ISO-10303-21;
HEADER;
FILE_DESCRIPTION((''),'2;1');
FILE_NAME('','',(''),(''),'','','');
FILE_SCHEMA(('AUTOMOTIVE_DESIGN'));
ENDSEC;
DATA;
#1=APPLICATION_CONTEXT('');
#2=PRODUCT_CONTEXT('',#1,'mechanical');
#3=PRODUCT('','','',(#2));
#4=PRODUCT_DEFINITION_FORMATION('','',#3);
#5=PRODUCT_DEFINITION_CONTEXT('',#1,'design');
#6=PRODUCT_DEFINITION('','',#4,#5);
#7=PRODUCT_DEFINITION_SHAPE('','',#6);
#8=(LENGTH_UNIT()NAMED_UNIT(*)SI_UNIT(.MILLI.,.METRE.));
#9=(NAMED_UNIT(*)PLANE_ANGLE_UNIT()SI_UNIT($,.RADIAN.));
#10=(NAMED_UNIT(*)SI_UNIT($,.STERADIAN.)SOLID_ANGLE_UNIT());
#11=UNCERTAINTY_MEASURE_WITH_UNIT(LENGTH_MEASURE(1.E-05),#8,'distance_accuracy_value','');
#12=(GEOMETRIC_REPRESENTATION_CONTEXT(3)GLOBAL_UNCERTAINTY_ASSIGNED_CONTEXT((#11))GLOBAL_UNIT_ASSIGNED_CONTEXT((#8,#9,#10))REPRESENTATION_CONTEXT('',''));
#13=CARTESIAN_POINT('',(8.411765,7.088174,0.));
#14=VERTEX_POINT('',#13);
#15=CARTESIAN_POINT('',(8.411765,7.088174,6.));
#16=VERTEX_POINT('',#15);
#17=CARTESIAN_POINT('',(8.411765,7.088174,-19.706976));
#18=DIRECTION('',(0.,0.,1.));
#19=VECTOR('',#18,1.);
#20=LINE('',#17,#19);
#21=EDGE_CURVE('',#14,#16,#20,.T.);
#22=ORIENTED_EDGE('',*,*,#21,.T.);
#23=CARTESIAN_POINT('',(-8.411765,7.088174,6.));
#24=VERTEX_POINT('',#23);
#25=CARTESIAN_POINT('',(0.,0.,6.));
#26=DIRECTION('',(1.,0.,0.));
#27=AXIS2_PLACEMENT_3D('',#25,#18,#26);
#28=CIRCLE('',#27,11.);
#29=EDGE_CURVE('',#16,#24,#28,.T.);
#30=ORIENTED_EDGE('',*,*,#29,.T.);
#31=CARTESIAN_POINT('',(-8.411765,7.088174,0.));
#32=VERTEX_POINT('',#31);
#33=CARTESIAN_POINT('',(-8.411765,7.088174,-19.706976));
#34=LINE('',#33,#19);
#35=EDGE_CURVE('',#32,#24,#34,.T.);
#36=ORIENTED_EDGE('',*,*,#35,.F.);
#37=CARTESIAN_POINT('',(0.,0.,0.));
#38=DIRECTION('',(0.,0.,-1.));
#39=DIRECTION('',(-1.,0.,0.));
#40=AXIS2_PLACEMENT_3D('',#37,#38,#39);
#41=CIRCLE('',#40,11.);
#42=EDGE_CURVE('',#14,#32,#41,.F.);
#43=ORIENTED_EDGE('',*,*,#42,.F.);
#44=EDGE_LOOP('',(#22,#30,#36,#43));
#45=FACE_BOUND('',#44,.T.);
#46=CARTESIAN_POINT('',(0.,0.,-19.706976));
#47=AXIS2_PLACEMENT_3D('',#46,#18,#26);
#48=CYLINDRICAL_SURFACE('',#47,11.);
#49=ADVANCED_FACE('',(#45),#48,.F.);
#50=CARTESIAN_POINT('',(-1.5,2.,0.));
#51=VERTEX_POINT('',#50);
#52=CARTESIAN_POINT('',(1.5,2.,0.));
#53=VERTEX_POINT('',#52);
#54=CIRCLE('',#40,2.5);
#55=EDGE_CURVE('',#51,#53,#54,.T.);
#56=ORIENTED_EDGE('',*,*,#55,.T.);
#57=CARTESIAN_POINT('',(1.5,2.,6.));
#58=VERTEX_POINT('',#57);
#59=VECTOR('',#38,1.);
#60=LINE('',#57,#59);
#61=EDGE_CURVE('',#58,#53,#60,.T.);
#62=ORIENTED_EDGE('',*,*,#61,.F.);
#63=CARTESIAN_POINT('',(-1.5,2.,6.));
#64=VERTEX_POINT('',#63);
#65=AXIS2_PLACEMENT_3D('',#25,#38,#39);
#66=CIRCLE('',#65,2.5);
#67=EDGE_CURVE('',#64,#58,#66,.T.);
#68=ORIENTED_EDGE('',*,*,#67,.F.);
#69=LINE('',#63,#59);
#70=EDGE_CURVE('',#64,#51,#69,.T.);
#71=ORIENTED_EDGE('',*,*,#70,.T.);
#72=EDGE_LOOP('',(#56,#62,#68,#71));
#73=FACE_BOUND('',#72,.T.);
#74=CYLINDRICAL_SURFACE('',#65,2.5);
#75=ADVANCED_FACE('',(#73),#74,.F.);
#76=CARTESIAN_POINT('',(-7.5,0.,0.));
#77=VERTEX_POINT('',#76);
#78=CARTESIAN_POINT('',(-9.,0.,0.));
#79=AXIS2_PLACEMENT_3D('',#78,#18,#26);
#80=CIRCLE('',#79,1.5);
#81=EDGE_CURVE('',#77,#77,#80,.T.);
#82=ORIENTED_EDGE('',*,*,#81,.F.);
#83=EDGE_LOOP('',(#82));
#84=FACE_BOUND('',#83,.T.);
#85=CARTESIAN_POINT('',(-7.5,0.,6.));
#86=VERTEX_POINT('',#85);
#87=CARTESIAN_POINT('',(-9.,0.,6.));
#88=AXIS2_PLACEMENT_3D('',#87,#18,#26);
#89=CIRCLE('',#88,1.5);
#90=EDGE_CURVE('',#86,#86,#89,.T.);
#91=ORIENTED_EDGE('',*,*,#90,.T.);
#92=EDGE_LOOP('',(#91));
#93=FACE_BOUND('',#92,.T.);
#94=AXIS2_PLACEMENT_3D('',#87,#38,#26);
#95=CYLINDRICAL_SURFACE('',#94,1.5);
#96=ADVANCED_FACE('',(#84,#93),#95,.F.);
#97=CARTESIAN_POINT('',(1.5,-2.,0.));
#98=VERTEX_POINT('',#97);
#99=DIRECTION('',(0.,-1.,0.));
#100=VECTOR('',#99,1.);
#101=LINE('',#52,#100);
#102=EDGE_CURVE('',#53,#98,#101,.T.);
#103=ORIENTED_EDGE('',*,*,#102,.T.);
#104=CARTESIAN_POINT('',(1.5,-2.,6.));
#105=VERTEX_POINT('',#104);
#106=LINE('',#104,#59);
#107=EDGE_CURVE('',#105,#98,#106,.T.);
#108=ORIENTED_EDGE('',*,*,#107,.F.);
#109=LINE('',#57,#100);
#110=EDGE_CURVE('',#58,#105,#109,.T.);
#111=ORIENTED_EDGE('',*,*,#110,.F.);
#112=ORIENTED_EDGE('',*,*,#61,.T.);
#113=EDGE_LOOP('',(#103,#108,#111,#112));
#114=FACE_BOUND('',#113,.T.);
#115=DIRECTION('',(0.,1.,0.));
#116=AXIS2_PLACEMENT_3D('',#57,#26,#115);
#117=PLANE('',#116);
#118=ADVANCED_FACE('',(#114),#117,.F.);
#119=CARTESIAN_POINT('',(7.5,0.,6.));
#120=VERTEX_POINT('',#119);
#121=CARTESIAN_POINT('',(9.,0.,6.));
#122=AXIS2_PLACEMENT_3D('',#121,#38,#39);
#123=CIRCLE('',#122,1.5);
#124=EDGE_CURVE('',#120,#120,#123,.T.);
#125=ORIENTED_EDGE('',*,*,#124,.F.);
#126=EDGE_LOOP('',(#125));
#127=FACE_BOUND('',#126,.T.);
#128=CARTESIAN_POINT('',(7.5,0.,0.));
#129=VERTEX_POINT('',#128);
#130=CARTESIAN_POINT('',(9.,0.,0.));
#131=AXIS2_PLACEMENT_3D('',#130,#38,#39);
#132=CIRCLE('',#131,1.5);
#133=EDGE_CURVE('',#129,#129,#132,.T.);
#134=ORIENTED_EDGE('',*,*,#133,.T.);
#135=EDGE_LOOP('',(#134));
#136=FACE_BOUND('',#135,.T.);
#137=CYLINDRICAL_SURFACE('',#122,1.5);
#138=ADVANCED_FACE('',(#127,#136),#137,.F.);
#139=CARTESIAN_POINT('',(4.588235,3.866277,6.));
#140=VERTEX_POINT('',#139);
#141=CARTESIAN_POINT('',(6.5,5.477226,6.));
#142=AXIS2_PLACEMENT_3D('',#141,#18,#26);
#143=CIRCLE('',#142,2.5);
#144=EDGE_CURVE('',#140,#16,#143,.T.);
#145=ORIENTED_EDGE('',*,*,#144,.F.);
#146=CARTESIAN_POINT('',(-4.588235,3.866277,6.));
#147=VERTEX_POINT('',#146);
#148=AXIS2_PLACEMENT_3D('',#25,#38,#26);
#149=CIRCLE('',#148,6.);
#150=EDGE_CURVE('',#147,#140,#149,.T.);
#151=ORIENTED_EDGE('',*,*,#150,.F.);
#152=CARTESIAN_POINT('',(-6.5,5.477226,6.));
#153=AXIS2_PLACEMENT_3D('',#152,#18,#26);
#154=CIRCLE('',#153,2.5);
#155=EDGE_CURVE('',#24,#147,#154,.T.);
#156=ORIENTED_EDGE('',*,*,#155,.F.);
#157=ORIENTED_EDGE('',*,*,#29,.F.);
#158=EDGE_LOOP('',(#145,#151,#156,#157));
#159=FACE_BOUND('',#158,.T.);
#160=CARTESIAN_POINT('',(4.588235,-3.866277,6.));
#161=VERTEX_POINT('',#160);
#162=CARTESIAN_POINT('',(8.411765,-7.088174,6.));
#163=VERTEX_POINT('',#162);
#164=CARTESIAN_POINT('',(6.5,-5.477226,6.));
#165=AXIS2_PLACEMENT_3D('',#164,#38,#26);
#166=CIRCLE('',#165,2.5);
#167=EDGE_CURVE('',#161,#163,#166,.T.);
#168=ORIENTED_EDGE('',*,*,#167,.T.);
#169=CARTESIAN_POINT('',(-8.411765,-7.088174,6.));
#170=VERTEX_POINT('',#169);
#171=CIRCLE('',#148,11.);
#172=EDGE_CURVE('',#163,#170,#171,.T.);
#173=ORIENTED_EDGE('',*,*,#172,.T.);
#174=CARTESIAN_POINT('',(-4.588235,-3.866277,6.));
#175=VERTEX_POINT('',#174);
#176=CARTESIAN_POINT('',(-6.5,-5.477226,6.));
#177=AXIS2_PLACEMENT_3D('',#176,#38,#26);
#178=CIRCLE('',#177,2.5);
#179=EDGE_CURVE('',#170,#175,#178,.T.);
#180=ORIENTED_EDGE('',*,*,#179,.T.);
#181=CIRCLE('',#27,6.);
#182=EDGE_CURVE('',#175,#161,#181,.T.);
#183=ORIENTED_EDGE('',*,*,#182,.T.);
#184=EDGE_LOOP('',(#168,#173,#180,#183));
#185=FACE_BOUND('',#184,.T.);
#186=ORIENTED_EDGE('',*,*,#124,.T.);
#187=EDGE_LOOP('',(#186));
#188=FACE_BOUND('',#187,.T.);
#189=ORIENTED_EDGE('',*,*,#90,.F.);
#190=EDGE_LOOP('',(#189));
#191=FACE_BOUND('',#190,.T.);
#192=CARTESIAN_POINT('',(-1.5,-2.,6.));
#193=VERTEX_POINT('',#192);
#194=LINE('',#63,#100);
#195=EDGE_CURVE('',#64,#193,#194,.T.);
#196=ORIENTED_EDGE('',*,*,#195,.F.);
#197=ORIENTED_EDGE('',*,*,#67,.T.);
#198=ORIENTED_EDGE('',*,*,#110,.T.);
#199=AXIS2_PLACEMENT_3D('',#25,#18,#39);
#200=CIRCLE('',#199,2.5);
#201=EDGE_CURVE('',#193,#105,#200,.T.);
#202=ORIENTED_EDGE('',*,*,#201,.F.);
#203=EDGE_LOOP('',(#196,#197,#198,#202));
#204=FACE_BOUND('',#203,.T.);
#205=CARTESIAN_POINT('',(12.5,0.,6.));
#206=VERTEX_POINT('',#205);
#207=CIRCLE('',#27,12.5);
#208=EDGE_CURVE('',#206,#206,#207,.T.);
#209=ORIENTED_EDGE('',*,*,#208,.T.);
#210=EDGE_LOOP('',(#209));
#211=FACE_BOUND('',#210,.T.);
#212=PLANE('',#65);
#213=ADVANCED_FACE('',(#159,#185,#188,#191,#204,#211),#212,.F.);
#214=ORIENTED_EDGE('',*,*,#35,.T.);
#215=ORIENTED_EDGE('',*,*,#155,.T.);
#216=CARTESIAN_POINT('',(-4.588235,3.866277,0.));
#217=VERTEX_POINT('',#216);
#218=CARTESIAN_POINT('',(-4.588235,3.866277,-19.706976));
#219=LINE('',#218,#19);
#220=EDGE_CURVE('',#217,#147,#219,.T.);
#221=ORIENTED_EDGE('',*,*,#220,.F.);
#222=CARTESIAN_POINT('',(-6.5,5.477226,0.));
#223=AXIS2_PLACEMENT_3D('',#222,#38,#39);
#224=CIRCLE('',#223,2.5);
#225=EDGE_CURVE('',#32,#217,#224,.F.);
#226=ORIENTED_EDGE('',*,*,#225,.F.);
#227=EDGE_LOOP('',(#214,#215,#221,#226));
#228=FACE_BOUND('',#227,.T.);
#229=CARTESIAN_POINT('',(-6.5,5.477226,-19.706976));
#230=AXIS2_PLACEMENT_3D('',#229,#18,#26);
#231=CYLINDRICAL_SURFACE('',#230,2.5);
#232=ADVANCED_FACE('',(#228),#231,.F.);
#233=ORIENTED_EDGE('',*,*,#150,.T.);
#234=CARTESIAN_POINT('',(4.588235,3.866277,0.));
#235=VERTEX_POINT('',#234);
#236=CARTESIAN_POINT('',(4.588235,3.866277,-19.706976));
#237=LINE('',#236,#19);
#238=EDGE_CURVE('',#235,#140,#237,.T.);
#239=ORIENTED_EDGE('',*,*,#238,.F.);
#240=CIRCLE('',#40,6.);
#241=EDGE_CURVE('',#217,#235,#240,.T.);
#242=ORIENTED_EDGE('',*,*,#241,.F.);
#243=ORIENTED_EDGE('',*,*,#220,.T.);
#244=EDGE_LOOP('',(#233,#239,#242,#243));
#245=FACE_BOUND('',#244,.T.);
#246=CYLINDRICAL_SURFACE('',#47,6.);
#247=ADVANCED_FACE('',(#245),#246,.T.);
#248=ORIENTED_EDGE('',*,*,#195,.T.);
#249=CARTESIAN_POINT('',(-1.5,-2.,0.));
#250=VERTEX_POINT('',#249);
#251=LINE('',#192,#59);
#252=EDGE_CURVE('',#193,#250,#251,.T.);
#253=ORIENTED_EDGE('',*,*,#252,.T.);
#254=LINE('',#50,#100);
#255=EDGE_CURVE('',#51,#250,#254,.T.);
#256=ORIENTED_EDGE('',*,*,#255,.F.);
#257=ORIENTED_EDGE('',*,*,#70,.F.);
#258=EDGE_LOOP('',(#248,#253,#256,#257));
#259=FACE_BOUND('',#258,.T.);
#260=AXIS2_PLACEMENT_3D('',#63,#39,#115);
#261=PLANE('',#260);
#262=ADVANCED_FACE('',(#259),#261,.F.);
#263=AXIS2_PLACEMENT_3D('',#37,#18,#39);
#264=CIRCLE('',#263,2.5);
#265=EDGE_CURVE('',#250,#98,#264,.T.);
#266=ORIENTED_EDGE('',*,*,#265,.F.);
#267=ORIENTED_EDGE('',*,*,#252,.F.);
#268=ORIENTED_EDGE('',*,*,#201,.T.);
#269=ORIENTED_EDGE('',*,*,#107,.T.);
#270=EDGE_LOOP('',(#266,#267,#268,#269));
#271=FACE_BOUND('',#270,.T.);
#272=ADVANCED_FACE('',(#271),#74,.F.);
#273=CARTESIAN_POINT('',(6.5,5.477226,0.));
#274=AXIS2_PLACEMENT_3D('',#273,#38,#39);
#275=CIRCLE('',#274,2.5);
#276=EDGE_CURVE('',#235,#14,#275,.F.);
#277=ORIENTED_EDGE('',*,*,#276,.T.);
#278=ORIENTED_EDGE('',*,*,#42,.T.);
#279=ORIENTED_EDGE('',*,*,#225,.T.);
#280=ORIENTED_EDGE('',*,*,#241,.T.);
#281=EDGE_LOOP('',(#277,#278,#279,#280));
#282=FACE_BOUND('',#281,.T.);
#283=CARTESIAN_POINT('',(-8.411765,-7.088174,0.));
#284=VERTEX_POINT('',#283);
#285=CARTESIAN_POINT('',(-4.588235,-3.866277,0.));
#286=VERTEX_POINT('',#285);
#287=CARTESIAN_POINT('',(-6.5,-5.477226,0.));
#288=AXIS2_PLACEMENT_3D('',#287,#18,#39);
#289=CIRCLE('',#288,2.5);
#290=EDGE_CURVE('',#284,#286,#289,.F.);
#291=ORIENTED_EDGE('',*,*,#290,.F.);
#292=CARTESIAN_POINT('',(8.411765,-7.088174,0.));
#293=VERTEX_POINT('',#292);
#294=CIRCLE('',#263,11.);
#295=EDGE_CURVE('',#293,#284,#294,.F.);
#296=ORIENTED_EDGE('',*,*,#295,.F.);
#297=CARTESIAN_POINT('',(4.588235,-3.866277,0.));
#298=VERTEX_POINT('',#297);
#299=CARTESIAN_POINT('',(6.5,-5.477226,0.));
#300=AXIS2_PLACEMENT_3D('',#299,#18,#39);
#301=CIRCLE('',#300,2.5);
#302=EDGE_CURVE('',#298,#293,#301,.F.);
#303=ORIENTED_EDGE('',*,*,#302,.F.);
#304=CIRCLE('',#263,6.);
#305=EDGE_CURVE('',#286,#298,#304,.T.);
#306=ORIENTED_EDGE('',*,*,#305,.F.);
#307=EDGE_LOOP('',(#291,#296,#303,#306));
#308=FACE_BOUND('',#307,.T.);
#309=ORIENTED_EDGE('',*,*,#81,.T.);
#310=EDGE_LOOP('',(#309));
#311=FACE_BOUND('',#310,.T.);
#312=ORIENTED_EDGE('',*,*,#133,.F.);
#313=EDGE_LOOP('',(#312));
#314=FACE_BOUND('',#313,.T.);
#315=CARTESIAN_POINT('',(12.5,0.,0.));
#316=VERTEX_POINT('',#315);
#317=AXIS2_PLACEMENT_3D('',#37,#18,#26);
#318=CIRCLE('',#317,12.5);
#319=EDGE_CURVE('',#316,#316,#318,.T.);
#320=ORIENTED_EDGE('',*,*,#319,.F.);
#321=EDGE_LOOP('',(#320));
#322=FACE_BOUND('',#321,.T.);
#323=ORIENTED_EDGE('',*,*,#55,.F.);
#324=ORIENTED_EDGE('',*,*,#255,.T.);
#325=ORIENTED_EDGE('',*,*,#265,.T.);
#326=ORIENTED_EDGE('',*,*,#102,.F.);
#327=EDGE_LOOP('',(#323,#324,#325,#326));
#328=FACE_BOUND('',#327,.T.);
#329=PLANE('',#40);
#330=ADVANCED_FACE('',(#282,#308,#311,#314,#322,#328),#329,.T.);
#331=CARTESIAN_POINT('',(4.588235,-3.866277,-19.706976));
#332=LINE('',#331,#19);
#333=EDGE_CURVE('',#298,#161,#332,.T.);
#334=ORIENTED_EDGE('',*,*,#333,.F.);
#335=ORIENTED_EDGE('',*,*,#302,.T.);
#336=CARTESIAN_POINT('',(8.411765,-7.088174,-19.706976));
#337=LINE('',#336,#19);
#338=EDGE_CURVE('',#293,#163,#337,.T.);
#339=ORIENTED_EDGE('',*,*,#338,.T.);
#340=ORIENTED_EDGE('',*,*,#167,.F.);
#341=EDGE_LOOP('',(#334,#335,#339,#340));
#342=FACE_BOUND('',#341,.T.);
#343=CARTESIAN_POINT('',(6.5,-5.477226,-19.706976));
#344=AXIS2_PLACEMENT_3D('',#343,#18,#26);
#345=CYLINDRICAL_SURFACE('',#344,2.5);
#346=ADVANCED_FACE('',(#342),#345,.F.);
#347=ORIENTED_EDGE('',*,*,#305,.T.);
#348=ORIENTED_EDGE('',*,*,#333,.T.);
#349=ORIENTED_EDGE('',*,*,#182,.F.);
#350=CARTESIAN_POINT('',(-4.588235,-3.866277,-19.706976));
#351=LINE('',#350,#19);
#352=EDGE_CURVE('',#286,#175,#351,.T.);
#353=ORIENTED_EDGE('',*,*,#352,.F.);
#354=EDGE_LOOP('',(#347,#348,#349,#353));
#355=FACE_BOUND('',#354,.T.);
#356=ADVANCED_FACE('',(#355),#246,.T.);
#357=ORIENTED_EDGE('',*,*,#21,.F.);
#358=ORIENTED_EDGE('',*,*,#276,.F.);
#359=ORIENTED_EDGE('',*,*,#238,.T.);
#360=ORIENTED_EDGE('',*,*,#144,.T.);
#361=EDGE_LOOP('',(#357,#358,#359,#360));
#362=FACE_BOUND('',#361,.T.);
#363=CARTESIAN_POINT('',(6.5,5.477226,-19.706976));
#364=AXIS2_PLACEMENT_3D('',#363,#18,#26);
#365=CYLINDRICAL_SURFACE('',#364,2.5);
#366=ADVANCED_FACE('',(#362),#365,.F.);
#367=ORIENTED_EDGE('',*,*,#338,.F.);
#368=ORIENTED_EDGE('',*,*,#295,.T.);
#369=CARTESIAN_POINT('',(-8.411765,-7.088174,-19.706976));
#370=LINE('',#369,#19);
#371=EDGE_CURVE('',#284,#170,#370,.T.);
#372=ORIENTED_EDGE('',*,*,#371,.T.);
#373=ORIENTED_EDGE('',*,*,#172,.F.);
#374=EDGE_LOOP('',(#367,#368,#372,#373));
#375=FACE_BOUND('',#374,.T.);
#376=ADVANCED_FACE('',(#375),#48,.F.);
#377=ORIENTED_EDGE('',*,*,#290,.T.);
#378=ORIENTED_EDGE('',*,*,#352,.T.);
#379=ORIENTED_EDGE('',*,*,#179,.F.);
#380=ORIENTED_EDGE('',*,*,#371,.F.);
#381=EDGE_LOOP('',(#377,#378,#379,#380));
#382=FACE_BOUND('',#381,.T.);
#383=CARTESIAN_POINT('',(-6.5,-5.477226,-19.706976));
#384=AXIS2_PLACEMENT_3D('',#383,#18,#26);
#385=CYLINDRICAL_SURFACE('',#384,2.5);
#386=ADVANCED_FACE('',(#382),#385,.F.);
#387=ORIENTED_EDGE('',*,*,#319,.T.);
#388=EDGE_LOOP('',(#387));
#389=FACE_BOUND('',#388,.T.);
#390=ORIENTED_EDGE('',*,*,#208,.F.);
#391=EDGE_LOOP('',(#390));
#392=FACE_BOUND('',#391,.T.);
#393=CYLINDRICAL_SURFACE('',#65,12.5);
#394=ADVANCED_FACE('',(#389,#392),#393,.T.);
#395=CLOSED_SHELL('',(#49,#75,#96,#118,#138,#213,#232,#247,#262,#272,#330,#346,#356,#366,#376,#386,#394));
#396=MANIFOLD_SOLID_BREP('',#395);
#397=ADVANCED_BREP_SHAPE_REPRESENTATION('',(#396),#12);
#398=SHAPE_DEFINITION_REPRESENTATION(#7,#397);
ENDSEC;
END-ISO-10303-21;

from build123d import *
from build123d.topology import SkipClean

# Parameters (mm, degrees)
BOSS_EXTRUDE1_DEPTH = 6
CUT_EXTRUDE1_DEPTH  = 6


with BuildPart() as part:
    # Sketch1 → Boss-Extrude1 (new body)
    with BuildSketch(Plane.XY):
        with BuildLine():
            Line((1.5, 2), (1.5, 0))
            Line((1.5, 0), (7.5, 0))
            ThreePointArc((7.5, 0), (9, 1.5), (10.5, 0))
            Line((10.5, 0), (12.5, 0))
            ThreePointArc((12.5, 0), (8.838834765, 8.838834765), (0, 12.5))
            Line((0, 12.5), (0, 2.5))
            ThreePointArc((0, 2.5), (0.790569415, 2.371708245), (1.5, 2))
        make_face()
    extrude(amount=BOSS_EXTRUDE1_DEPTH)

    # Mirror4: part across plane


with BuildPart() as part_1:
    add(part.part)
    add(part.part.mirror(Plane(origin=(0, 12.5, 6), x_dir=(0, 0, 1), z_dir=(1, 0, 0))))

    # Sketch2 → Cut-Extrude1 (cut)
    with BuildSketch(Plane.XY.offset(6)):
        with BuildLine():
            ThreePointArc((8.411764706, 7.088174274), (0, 11), (-8.411764706, 7.088174274))
            ThreePointArc((-8.411764706, 7.088174274), (-8.110948699, 3.565460869), (-4.588235294, 3.866276877))
            ThreePointArc((-4.588235294, 3.866276877), (0, 6), (4.588235294, 3.866276877))
            ThreePointArc((4.588235294, 3.866276877), (8.110948699, 3.565460869), (8.411764706, 7.088174274))
        make_face()
    extrude(amount=-CUT_EXTRUDE1_DEPTH, mode=Mode.SUBTRACT)

    # Mirror5: part across plane


with BuildPart() as part_2:
    with SkipClean():  # the faces are left unmerged after this step: merging them gives an invalid solid
        add(part_1.part)
        add(part_1.part.mirror(Plane(origin=(-1.5, 0, 6), x_dir=(0, 0, 1), z_dir=(0, 1, 0))))


solid = part_2.part
